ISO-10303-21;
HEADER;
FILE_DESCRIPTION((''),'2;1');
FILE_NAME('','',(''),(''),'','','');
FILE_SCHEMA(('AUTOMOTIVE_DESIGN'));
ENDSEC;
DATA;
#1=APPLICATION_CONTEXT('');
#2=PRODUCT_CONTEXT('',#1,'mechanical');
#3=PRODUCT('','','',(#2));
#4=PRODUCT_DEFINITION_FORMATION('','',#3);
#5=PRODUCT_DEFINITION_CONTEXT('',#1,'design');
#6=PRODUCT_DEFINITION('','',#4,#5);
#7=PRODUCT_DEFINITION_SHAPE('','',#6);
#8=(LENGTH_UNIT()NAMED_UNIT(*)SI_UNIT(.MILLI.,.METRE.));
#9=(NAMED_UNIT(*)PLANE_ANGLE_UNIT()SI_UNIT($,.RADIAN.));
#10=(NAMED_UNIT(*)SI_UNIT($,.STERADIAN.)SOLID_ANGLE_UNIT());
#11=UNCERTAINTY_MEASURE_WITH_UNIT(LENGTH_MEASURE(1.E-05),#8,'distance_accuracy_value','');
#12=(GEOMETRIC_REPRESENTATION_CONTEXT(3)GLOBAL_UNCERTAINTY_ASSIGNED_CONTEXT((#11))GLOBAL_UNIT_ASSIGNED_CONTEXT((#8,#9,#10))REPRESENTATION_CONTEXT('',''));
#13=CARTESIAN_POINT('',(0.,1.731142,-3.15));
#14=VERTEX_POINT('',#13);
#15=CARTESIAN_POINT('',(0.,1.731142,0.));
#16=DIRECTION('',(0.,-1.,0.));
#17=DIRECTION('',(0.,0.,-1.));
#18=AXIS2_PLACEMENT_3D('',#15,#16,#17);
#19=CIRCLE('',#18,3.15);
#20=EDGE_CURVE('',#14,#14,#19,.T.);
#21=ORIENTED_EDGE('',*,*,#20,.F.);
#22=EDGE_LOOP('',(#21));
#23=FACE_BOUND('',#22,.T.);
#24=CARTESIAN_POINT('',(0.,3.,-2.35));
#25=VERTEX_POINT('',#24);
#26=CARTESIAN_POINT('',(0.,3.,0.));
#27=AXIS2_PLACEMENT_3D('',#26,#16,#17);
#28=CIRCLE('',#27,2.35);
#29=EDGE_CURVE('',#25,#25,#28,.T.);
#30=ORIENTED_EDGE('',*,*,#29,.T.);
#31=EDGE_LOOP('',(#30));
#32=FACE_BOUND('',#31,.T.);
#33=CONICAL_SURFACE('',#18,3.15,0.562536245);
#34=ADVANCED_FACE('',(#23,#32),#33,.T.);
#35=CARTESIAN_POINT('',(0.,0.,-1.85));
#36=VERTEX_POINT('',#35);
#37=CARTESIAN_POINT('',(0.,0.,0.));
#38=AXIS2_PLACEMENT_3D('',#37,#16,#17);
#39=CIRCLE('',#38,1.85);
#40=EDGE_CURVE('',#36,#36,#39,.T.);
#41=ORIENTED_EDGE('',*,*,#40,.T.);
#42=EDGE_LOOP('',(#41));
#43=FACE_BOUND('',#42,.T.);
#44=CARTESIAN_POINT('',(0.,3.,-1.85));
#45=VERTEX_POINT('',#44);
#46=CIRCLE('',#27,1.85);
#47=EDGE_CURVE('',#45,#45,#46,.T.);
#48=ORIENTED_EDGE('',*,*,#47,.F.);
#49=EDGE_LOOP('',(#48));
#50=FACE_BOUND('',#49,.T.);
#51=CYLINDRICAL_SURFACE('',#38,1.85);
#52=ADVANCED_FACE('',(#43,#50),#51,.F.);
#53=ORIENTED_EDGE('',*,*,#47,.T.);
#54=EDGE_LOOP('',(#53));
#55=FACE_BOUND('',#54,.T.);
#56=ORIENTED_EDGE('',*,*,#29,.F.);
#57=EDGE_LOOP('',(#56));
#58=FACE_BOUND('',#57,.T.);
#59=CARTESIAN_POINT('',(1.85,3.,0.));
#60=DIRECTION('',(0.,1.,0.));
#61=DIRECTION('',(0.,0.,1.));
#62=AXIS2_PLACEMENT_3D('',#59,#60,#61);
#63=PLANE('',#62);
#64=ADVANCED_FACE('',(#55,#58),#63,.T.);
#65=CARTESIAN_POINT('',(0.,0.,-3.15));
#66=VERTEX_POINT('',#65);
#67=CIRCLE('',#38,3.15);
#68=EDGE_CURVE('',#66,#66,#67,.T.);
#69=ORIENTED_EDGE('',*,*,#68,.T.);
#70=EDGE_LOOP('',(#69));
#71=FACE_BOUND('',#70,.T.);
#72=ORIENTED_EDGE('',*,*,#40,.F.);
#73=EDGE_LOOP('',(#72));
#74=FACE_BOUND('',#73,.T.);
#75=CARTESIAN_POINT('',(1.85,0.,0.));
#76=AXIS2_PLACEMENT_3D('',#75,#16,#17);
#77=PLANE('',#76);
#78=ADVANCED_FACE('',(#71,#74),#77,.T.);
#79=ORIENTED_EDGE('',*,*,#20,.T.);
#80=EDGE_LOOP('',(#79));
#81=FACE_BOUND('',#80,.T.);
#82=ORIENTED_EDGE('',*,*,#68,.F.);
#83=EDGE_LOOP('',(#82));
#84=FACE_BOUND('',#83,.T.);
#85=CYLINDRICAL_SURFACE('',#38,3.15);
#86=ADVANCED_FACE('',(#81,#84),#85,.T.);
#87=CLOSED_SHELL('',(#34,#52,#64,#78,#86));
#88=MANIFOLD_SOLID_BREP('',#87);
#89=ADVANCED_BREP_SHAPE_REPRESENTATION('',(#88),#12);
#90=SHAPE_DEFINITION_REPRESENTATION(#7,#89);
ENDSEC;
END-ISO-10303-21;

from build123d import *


with BuildPart() as part:
    # Sketch1 → Revolve1 (revolve)
    with BuildSketch(Plane.XY, mode=Mode.PRIVATE) as revolve1_sk:
        Polygon((3.15, 0), (3.15, 1.731142246), (2.35, 3), (1.85, 3), (1.85, 0), align=None)
    revolve(revolve1_sk.sketch.rotate(Axis((0, 0, 0), (0, 1, 0)), 90), axis=Axis((0, 0, 0), (0, 1, 0)))


solid = part.part
